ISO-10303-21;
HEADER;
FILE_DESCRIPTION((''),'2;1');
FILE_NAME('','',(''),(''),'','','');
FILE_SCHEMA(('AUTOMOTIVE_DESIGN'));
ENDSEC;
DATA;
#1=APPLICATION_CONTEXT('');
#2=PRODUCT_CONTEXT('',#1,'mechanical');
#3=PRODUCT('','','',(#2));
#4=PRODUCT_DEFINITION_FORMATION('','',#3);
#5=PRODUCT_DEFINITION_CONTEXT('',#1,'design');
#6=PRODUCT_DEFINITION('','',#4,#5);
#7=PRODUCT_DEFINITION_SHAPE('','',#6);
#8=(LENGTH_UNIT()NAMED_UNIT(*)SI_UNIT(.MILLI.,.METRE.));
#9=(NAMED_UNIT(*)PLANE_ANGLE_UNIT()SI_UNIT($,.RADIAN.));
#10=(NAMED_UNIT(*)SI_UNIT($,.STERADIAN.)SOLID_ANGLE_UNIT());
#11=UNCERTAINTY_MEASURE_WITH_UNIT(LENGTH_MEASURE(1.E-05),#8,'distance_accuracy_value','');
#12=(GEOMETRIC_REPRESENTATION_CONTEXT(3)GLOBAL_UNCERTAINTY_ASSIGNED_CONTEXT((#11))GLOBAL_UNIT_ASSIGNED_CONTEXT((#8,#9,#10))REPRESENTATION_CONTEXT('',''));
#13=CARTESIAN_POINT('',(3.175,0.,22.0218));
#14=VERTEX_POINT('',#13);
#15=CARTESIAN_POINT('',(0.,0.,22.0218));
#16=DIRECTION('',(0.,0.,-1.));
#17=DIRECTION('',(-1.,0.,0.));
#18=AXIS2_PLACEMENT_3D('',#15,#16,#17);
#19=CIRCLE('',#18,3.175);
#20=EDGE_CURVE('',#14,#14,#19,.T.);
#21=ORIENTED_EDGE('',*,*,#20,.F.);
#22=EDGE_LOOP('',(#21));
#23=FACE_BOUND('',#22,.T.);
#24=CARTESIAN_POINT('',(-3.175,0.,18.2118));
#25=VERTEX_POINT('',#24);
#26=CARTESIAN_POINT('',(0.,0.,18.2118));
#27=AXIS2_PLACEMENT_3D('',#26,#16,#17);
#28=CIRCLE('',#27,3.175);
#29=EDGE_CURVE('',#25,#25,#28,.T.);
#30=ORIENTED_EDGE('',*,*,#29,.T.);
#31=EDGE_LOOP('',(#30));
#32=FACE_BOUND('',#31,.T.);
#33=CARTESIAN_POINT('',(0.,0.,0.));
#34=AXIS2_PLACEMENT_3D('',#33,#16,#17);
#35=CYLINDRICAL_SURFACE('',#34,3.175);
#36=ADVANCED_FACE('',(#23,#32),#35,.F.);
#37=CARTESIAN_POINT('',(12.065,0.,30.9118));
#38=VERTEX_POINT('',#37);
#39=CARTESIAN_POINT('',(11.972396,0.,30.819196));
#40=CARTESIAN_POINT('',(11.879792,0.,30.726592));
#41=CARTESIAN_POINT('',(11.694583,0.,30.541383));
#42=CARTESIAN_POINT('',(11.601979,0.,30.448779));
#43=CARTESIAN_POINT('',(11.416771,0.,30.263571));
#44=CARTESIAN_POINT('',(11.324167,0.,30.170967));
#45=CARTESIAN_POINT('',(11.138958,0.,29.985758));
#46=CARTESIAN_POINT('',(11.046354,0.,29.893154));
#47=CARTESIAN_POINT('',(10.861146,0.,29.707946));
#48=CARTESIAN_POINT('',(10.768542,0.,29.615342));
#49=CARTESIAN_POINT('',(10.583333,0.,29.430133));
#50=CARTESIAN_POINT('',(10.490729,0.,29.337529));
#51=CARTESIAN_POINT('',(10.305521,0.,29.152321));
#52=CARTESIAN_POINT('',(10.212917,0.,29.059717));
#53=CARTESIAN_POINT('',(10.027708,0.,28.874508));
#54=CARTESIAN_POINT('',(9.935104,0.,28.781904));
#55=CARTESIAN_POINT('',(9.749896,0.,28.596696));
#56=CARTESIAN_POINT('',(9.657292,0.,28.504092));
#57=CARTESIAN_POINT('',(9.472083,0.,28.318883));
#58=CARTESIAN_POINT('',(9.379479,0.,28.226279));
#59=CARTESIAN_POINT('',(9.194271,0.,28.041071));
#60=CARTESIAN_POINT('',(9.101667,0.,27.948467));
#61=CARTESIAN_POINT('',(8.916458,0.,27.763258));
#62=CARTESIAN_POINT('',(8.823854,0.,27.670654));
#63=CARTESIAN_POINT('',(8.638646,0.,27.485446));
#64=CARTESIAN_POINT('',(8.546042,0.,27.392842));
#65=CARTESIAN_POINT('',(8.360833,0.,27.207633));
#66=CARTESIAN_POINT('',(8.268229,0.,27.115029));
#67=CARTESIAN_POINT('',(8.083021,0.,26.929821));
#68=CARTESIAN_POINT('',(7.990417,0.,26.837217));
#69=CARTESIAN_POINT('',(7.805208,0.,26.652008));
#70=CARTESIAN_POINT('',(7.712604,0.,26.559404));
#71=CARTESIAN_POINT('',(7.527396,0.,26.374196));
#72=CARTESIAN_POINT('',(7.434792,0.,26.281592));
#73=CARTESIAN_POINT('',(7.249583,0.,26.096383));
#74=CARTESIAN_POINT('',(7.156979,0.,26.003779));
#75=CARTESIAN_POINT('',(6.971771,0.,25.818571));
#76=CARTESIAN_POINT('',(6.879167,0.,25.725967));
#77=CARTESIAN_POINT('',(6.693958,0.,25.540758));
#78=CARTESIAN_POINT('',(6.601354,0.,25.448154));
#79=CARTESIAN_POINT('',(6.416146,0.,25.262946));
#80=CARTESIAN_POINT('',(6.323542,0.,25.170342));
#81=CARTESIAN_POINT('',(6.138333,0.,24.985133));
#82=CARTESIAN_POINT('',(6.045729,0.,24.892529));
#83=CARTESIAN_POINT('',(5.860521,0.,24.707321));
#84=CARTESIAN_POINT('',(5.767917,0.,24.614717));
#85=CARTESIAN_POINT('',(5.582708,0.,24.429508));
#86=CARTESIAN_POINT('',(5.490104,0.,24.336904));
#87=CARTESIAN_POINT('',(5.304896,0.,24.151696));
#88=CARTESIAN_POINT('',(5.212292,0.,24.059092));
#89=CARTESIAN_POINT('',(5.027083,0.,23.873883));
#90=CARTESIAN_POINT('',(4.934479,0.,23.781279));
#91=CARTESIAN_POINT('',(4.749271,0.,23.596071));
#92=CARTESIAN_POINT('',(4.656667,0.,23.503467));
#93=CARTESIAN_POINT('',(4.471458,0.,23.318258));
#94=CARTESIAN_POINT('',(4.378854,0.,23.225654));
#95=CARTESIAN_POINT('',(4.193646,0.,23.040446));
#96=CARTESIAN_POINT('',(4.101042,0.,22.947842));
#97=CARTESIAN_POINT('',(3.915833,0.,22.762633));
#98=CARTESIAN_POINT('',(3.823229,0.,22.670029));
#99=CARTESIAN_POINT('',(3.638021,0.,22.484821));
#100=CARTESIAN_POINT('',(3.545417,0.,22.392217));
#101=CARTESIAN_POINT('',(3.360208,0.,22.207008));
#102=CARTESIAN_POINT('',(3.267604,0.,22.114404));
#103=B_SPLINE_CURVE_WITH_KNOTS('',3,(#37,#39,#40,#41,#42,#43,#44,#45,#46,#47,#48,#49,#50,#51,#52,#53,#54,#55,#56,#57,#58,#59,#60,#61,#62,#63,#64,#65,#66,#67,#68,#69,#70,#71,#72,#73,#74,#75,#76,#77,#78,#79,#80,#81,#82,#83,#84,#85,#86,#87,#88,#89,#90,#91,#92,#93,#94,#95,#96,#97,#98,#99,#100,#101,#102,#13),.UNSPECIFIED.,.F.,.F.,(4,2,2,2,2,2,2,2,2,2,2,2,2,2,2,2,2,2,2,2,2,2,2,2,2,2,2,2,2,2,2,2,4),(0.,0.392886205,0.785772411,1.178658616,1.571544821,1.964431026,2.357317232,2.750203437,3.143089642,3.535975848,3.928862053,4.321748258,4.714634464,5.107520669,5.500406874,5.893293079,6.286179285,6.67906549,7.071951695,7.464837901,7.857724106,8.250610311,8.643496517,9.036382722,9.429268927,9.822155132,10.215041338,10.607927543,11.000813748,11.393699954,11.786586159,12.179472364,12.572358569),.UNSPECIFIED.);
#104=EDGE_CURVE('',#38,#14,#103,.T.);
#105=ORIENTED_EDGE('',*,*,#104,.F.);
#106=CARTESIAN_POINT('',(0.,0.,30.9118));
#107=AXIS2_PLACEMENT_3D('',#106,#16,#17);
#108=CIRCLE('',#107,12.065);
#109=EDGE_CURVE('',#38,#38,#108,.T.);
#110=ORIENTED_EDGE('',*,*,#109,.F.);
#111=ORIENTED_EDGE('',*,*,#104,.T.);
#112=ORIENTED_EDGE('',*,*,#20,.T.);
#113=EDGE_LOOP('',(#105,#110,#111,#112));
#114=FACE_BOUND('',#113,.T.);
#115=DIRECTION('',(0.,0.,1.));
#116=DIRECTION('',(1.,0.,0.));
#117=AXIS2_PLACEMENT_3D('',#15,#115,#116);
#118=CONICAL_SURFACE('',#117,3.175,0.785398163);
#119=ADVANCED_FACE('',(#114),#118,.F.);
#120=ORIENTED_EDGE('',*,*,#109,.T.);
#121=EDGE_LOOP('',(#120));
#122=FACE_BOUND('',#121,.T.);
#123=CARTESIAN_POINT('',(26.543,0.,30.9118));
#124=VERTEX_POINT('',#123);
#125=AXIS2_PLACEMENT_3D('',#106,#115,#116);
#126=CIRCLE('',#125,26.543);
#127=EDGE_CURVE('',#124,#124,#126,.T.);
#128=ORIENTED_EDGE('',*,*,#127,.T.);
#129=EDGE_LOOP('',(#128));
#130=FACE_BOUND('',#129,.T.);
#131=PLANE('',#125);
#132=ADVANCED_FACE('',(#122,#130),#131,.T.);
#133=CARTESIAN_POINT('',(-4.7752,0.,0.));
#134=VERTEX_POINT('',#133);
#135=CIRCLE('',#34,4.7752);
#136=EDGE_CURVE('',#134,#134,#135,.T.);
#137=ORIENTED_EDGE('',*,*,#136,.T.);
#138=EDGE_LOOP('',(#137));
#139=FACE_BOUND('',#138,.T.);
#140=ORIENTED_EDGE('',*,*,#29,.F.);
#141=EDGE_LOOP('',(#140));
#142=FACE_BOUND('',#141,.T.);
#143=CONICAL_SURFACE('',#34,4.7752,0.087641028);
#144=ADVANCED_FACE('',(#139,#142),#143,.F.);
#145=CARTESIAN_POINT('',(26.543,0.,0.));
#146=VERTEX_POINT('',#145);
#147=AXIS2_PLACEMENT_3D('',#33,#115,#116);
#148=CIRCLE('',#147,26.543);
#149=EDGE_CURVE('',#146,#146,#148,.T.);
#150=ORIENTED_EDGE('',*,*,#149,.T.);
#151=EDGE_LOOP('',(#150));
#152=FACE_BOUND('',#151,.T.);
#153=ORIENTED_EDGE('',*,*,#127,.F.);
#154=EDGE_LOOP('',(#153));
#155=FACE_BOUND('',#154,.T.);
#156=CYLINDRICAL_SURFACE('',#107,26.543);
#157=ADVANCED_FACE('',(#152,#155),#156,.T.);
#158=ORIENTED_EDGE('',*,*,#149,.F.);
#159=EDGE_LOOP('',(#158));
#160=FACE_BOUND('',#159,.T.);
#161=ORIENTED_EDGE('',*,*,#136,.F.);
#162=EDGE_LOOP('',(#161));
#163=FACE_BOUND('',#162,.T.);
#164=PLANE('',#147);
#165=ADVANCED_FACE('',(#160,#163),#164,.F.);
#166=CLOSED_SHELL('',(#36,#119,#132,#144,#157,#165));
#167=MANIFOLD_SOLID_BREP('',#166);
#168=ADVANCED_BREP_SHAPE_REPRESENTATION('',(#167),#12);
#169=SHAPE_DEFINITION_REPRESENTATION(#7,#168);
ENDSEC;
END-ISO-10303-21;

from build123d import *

# Parameters (mm, degrees)
SKETCH1_R           = 26.543
BOSS_EXTRUDE1_DEPTH = 30.9118


with BuildPart() as part:
    # Sketch1 → Boss-Extrude1 (new body)
    with BuildSketch(Plane.XY):
        Circle(SKETCH1_R)
    extrude(amount=BOSS_EXTRUDE1_DEPTH)

    # Sketch2 → Cut-Revolve1 (revolve, cut)
    with BuildSketch(Plane(origin=(0, 0, 0), x_dir=(0, 0, -1), z_dir=(1, 0, 0))):
        Polygon((-30.9118, 12.065), (-22.0218, 3.175), (-18.2118, 3.175), (0, 4.7752), (0, 0), (-30.9118, 0), align=None)
    revolve(axis=Axis((0, 0, 0), (0, 0, 1)), mode=Mode.SUBTRACT)


solid = part.part
